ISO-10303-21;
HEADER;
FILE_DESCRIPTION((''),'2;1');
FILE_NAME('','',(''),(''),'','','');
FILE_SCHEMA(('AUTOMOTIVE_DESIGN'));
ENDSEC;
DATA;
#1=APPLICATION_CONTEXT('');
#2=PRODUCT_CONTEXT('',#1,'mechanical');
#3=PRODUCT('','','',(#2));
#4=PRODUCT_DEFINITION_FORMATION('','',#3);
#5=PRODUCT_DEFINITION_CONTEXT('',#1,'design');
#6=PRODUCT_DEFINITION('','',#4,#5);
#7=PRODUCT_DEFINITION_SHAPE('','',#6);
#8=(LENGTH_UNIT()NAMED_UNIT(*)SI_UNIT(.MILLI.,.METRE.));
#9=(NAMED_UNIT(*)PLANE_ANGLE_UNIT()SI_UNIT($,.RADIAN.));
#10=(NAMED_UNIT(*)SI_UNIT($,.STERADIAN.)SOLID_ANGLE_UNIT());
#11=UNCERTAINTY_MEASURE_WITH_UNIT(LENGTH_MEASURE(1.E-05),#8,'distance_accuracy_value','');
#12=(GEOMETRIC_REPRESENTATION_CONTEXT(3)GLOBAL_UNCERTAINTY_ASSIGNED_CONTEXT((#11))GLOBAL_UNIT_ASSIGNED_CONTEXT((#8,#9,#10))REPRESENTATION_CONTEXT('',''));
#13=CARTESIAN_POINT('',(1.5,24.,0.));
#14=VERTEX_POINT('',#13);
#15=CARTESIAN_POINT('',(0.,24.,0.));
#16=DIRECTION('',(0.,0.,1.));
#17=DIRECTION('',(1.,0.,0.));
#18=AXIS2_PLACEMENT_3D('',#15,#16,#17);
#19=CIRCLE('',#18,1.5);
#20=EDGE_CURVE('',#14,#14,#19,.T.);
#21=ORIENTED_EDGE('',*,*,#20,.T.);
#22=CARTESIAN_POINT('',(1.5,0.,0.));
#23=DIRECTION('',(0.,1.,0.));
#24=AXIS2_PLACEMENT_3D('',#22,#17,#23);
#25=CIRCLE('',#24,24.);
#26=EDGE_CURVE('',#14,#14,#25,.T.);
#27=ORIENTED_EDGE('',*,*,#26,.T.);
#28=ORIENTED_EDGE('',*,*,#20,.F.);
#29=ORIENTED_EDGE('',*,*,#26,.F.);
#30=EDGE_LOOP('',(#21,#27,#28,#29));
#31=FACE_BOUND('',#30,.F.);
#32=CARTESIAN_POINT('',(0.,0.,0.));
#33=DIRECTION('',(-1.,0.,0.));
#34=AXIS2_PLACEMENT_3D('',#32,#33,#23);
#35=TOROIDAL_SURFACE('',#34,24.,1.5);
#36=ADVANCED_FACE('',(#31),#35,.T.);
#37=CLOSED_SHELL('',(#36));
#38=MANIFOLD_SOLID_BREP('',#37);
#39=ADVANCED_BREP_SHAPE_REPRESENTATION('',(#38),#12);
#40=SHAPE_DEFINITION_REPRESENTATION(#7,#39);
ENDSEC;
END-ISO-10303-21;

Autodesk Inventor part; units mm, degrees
ref_plane "YZ Plane" through (0, 0, 0) normal (1, 0, 0) x (0, 1, 0)
ref_plane "XZ Plane" through (0, 0, 0) normal (0, 1, 0) x (-1, 0, 0)
ref_plane "XY Plane" through (0, 0, 0) normal (0, 0, 1) x (1, 0, 0)
sketch "スケッチ4" plane through (0, 0, 0) normal (0, 0, 1) x (1, 0, 0)
  circle A0 centre (0, 24) radius 1.5
  line L0 (0, 0) -> (2.5034, 0)
  dimension "d15" = 3
  dimension "d16" = 24
revolve "回転2" add sketch "スケッチ4" angle 360 about axis through (0, 0, 0) along (1, 0, 0)
properties part number "RD013"
